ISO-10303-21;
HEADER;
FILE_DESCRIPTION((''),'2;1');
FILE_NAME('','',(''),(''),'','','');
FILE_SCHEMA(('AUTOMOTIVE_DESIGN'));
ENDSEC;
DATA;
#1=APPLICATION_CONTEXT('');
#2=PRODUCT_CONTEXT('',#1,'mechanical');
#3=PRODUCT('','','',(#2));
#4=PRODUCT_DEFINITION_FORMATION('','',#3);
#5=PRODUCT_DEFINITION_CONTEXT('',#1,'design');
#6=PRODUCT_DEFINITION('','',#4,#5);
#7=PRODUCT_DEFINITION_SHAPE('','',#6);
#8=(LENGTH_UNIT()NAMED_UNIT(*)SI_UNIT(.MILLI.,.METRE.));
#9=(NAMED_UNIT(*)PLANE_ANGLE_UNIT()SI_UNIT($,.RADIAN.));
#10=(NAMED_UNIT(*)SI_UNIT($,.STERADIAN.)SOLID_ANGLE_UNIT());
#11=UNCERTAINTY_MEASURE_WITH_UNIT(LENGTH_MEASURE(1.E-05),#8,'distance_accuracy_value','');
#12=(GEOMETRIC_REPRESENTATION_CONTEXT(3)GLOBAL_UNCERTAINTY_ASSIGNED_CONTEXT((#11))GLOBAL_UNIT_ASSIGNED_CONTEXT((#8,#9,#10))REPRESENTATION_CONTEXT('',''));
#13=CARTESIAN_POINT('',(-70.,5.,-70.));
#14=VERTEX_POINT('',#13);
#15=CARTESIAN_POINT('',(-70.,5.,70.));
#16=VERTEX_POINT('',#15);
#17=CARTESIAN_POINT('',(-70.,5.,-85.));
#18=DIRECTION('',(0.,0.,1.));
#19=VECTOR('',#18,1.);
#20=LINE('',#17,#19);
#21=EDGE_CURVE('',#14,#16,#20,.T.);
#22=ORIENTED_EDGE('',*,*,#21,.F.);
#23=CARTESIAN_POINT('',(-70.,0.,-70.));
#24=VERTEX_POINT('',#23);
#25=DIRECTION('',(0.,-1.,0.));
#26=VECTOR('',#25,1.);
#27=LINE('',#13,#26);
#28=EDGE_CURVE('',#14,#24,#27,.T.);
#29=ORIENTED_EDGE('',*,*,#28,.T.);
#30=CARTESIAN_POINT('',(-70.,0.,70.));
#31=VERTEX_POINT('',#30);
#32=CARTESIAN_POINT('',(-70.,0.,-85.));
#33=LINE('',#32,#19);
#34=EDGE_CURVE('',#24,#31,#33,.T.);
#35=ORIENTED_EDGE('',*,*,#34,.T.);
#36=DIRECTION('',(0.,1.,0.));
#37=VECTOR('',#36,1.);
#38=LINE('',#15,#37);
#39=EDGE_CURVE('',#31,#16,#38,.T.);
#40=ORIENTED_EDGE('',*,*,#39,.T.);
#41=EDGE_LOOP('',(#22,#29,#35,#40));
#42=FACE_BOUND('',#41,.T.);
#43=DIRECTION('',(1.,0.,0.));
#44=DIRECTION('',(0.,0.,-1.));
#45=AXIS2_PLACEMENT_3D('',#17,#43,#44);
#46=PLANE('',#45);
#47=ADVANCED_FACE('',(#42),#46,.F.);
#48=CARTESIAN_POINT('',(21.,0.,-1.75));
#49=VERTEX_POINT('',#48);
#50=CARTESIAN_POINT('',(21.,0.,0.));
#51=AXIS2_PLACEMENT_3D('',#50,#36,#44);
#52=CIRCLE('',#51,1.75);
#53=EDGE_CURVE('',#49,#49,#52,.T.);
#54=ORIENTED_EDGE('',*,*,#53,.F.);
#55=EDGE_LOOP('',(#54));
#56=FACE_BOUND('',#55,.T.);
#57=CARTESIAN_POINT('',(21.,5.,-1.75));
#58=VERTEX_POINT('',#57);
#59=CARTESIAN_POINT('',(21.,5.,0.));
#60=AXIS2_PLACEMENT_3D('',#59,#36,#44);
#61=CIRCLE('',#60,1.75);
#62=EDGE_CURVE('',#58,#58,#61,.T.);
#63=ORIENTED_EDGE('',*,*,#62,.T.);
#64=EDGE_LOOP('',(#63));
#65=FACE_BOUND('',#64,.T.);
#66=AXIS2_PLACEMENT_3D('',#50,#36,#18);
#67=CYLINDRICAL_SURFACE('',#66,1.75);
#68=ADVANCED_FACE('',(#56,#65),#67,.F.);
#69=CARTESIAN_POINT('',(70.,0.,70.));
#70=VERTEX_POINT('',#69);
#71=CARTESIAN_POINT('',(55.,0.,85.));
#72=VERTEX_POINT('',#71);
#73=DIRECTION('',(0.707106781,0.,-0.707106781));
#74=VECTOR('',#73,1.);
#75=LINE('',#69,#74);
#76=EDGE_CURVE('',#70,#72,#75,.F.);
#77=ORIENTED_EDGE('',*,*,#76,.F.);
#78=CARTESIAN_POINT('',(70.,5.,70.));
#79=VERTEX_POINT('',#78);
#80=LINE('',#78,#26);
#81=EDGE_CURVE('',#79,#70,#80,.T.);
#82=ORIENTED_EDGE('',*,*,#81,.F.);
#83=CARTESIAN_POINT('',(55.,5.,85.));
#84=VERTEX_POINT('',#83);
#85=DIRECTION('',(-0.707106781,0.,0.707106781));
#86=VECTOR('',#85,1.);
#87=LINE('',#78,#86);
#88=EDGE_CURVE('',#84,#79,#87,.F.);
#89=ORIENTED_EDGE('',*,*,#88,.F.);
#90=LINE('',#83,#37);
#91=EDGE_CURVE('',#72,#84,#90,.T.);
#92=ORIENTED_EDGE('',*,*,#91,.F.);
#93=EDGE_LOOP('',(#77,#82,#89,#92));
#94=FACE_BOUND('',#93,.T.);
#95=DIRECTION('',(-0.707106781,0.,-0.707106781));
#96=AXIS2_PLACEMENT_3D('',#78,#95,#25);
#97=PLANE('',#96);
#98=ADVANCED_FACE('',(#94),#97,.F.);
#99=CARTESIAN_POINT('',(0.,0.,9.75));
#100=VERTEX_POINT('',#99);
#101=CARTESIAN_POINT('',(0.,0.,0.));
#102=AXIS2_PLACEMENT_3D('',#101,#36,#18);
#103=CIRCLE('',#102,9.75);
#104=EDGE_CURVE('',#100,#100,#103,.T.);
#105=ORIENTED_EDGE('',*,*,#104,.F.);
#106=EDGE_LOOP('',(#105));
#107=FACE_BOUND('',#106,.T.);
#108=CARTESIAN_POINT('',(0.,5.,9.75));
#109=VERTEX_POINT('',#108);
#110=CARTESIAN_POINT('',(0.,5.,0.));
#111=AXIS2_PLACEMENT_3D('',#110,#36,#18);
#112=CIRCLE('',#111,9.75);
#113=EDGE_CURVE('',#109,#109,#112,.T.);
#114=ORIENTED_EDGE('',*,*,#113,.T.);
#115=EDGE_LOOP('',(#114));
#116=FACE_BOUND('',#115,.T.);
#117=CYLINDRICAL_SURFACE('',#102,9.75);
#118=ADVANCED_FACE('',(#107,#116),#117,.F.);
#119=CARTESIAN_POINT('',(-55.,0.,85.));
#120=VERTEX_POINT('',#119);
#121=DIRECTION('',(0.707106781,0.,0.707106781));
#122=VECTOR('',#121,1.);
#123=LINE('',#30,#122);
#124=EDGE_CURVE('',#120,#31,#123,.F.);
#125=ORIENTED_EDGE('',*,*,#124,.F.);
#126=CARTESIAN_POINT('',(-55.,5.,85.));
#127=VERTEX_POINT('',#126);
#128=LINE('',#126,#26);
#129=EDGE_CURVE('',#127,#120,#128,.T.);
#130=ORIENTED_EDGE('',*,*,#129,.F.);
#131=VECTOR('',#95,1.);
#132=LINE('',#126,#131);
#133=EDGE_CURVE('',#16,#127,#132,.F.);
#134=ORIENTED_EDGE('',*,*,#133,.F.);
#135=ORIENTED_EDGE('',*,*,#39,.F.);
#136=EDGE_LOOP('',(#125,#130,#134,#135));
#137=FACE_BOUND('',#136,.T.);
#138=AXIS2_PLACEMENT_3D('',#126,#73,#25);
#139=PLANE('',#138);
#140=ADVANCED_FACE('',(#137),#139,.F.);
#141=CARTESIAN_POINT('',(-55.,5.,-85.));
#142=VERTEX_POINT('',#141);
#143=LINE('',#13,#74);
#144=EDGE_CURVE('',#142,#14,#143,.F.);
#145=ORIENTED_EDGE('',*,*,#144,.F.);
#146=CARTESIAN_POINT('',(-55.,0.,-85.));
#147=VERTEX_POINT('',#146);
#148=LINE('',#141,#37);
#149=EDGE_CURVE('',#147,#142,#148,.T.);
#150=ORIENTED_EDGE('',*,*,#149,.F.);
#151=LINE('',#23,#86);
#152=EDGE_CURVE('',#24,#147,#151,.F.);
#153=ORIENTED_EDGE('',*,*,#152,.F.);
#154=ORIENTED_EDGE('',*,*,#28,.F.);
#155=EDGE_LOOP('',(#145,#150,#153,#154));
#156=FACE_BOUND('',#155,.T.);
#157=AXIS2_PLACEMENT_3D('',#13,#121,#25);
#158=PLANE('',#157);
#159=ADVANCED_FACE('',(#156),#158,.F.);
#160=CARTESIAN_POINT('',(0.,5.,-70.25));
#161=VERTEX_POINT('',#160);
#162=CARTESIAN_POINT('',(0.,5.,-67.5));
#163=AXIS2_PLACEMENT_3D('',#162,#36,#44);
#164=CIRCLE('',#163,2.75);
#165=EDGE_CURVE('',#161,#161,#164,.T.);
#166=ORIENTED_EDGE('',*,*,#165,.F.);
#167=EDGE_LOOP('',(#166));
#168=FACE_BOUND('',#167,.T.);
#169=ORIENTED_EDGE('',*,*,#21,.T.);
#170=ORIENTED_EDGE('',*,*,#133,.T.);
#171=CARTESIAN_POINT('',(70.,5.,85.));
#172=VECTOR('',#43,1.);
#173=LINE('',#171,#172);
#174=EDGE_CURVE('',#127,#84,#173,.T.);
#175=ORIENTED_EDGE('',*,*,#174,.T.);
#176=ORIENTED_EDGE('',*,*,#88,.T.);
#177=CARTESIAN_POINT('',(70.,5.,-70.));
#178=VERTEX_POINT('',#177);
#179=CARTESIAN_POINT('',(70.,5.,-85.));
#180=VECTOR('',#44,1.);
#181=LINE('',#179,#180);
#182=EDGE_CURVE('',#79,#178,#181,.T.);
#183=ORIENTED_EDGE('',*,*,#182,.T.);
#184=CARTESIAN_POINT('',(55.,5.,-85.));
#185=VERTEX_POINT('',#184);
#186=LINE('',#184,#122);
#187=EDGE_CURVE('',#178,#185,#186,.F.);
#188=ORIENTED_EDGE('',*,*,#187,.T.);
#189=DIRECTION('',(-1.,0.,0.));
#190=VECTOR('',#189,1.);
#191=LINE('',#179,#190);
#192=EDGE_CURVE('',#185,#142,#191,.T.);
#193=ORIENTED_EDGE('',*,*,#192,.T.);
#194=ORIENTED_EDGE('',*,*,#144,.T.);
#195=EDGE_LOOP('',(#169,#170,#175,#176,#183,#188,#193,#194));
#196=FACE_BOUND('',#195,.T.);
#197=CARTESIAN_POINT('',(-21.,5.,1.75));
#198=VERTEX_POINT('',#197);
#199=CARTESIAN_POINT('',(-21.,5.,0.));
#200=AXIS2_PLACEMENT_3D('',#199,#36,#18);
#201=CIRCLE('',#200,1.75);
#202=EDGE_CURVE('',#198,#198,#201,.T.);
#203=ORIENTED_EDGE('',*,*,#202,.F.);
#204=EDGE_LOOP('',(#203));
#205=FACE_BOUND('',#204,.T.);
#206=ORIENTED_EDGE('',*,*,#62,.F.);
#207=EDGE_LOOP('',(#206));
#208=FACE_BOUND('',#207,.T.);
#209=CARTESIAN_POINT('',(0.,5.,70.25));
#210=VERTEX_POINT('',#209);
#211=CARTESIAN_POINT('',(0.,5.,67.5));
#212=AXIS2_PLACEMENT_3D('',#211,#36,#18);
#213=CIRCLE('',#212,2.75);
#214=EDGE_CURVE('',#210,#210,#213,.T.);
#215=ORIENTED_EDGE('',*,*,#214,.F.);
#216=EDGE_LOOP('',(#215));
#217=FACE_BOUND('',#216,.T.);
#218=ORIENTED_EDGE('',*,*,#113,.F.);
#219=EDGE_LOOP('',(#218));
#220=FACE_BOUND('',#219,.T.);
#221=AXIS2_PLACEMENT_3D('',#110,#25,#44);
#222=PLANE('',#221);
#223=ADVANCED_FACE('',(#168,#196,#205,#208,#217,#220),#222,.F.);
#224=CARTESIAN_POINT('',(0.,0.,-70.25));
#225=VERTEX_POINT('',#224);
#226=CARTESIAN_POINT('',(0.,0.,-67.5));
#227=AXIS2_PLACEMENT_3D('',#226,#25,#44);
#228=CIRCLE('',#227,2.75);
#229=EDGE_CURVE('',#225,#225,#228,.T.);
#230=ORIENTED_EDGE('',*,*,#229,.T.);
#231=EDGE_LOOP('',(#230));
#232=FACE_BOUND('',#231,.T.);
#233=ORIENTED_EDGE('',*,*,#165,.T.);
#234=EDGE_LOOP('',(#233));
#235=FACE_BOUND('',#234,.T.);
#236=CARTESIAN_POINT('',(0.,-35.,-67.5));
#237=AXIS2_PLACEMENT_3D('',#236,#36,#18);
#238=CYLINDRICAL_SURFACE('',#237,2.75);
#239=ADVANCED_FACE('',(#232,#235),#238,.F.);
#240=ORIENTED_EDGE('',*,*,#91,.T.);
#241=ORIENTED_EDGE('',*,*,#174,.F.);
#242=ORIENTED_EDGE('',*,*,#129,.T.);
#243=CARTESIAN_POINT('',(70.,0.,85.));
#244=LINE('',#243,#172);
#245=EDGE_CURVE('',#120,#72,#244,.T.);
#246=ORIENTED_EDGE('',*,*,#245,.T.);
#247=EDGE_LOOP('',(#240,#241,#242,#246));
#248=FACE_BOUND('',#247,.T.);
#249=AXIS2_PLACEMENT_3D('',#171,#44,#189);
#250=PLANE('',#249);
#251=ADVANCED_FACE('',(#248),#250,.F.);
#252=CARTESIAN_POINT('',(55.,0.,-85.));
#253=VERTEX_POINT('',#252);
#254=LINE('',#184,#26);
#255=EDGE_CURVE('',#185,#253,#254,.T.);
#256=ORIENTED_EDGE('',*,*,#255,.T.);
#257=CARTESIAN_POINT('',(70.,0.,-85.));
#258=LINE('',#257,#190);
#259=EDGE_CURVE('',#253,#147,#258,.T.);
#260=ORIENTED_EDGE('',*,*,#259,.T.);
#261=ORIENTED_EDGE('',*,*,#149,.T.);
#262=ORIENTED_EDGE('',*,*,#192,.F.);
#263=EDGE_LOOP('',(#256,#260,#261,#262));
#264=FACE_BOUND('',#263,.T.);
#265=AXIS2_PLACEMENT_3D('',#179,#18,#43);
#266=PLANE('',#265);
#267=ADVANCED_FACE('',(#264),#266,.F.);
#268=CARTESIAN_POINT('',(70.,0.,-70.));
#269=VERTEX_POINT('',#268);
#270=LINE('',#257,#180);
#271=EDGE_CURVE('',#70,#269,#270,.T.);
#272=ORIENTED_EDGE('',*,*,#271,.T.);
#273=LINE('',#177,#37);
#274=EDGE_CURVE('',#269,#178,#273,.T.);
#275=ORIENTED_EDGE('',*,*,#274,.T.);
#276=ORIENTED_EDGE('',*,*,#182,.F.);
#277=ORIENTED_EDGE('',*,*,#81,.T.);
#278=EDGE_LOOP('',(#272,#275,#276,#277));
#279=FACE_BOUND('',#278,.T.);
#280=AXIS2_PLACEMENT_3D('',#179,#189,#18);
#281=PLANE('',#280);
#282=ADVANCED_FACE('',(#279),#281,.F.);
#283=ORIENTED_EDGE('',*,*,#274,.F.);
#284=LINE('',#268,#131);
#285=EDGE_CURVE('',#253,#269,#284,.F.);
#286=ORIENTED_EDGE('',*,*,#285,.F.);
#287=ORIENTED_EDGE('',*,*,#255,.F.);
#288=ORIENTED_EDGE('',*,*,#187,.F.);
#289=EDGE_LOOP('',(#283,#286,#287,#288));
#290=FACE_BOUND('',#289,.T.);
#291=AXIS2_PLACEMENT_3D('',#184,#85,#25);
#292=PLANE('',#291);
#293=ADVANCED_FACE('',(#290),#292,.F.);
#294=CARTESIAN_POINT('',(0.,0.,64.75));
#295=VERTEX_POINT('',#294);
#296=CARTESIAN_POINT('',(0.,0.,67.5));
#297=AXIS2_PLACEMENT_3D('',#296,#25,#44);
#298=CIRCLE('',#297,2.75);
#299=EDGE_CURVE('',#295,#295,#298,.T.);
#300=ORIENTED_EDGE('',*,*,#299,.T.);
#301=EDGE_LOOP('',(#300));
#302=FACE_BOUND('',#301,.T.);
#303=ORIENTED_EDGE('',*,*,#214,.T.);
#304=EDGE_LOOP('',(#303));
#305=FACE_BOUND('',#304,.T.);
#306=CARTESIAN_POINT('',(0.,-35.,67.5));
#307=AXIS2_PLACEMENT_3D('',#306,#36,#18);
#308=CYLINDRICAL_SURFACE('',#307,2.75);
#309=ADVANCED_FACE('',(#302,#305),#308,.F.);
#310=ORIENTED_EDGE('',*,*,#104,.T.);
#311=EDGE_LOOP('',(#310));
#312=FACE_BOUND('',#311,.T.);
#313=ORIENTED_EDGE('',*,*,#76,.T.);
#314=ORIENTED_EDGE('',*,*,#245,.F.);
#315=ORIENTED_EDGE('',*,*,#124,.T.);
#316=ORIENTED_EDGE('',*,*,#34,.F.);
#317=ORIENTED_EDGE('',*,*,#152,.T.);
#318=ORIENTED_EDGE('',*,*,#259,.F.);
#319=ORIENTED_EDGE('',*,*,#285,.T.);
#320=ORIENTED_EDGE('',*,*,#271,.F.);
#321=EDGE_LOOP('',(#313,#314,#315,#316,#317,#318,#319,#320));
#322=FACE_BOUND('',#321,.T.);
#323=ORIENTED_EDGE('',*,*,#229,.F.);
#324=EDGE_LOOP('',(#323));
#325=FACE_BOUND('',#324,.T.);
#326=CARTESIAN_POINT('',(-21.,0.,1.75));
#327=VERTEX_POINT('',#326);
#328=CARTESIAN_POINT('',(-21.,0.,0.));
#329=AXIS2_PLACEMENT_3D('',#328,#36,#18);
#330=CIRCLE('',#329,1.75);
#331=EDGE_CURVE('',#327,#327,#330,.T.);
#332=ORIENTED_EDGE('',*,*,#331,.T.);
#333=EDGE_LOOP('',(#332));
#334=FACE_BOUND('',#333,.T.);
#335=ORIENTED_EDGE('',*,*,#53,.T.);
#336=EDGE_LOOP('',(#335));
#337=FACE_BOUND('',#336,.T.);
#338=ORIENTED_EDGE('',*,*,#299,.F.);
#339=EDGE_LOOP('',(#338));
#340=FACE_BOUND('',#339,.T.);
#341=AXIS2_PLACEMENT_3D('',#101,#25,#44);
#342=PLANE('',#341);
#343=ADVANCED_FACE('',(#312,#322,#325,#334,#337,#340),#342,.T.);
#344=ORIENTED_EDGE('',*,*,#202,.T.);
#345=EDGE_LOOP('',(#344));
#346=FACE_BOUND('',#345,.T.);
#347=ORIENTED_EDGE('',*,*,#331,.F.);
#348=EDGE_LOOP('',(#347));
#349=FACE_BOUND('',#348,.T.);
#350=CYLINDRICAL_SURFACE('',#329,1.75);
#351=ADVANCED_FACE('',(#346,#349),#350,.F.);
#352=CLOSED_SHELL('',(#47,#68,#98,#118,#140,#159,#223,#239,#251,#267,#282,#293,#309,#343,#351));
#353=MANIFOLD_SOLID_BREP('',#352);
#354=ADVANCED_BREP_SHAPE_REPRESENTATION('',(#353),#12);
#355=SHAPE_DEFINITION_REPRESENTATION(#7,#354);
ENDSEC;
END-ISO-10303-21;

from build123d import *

# Parameters (mm, degrees)
SKETCH1_W           = 140
SKETCH1_H           = 170
BOSS_EXTRUDE1_DEPTH = 5
CHAMFER1_SIZE       = 15
SKETCH2_R           = 9.75
CUT_EXTRUDE1_DEPTH  = 5
SKETCH3_R           = 2.75
CUT_EXTRUDE2_DEPTH  = 40
SKETCH4_R           = 1.75
CUT_EXTRUDE3_DEPTH  = 6


with BuildPart() as part:
    # Sketch1 → Boss-Extrude1 (new body)
    with BuildSketch(Plane(origin=(0, 0, 0), x_dir=(1, 0, 0), z_dir=(0, 1, 0))):
        Rectangle(SKETCH1_W, SKETCH1_H)
    extrude(amount=BOSS_EXTRUDE1_DEPTH)

    # Chamfer1
    chamfer1_edges = [part.edges().sort_by_distance(p)[0] for p in [
        (-70, 2.5, -85),
        (70, 2.5, -85),
        (70, 2.5, 85),
        (-70, 2.5, 85),
    ]]
    chamfer(chamfer1_edges, length=CHAMFER1_SIZE)

    # Sketch2 → Cut-Extrude1 (cut)
    with BuildSketch(Plane(origin=(0, 5, 0), x_dir=(1, 0, 0), z_dir=(0, 1, 0))):
        Circle(SKETCH2_R)
    extrude(amount=-CUT_EXTRUDE1_DEPTH, mode=Mode.SUBTRACT)

    # Sketch3 → Cut-Extrude2 (cut)
    with BuildSketch(Plane(origin=(0, 5, 0), x_dir=(1, 0, 0), z_dir=(0, 1, 0))):
        with Locations((0, -67.5)):
            Circle(SKETCH3_R)
        with Locations((0, 67.5)):
            Circle(SKETCH3_R)
    extrude(amount=-CUT_EXTRUDE2_DEPTH, mode=Mode.SUBTRACT)

    # Sketch4 → Cut-Extrude3 (cut, through all)
    with BuildSketch(Plane(origin=(0, 5, 0), x_dir=(1, 0, 0), z_dir=(0, 1, 0))):
        with Locations((-21, 0)):
            Circle(SKETCH4_R)
        with Locations((21, 0)):
            Circle(SKETCH4_R)
    extrude(amount=-CUT_EXTRUDE3_DEPTH, mode=Mode.SUBTRACT)


solid = part.part
